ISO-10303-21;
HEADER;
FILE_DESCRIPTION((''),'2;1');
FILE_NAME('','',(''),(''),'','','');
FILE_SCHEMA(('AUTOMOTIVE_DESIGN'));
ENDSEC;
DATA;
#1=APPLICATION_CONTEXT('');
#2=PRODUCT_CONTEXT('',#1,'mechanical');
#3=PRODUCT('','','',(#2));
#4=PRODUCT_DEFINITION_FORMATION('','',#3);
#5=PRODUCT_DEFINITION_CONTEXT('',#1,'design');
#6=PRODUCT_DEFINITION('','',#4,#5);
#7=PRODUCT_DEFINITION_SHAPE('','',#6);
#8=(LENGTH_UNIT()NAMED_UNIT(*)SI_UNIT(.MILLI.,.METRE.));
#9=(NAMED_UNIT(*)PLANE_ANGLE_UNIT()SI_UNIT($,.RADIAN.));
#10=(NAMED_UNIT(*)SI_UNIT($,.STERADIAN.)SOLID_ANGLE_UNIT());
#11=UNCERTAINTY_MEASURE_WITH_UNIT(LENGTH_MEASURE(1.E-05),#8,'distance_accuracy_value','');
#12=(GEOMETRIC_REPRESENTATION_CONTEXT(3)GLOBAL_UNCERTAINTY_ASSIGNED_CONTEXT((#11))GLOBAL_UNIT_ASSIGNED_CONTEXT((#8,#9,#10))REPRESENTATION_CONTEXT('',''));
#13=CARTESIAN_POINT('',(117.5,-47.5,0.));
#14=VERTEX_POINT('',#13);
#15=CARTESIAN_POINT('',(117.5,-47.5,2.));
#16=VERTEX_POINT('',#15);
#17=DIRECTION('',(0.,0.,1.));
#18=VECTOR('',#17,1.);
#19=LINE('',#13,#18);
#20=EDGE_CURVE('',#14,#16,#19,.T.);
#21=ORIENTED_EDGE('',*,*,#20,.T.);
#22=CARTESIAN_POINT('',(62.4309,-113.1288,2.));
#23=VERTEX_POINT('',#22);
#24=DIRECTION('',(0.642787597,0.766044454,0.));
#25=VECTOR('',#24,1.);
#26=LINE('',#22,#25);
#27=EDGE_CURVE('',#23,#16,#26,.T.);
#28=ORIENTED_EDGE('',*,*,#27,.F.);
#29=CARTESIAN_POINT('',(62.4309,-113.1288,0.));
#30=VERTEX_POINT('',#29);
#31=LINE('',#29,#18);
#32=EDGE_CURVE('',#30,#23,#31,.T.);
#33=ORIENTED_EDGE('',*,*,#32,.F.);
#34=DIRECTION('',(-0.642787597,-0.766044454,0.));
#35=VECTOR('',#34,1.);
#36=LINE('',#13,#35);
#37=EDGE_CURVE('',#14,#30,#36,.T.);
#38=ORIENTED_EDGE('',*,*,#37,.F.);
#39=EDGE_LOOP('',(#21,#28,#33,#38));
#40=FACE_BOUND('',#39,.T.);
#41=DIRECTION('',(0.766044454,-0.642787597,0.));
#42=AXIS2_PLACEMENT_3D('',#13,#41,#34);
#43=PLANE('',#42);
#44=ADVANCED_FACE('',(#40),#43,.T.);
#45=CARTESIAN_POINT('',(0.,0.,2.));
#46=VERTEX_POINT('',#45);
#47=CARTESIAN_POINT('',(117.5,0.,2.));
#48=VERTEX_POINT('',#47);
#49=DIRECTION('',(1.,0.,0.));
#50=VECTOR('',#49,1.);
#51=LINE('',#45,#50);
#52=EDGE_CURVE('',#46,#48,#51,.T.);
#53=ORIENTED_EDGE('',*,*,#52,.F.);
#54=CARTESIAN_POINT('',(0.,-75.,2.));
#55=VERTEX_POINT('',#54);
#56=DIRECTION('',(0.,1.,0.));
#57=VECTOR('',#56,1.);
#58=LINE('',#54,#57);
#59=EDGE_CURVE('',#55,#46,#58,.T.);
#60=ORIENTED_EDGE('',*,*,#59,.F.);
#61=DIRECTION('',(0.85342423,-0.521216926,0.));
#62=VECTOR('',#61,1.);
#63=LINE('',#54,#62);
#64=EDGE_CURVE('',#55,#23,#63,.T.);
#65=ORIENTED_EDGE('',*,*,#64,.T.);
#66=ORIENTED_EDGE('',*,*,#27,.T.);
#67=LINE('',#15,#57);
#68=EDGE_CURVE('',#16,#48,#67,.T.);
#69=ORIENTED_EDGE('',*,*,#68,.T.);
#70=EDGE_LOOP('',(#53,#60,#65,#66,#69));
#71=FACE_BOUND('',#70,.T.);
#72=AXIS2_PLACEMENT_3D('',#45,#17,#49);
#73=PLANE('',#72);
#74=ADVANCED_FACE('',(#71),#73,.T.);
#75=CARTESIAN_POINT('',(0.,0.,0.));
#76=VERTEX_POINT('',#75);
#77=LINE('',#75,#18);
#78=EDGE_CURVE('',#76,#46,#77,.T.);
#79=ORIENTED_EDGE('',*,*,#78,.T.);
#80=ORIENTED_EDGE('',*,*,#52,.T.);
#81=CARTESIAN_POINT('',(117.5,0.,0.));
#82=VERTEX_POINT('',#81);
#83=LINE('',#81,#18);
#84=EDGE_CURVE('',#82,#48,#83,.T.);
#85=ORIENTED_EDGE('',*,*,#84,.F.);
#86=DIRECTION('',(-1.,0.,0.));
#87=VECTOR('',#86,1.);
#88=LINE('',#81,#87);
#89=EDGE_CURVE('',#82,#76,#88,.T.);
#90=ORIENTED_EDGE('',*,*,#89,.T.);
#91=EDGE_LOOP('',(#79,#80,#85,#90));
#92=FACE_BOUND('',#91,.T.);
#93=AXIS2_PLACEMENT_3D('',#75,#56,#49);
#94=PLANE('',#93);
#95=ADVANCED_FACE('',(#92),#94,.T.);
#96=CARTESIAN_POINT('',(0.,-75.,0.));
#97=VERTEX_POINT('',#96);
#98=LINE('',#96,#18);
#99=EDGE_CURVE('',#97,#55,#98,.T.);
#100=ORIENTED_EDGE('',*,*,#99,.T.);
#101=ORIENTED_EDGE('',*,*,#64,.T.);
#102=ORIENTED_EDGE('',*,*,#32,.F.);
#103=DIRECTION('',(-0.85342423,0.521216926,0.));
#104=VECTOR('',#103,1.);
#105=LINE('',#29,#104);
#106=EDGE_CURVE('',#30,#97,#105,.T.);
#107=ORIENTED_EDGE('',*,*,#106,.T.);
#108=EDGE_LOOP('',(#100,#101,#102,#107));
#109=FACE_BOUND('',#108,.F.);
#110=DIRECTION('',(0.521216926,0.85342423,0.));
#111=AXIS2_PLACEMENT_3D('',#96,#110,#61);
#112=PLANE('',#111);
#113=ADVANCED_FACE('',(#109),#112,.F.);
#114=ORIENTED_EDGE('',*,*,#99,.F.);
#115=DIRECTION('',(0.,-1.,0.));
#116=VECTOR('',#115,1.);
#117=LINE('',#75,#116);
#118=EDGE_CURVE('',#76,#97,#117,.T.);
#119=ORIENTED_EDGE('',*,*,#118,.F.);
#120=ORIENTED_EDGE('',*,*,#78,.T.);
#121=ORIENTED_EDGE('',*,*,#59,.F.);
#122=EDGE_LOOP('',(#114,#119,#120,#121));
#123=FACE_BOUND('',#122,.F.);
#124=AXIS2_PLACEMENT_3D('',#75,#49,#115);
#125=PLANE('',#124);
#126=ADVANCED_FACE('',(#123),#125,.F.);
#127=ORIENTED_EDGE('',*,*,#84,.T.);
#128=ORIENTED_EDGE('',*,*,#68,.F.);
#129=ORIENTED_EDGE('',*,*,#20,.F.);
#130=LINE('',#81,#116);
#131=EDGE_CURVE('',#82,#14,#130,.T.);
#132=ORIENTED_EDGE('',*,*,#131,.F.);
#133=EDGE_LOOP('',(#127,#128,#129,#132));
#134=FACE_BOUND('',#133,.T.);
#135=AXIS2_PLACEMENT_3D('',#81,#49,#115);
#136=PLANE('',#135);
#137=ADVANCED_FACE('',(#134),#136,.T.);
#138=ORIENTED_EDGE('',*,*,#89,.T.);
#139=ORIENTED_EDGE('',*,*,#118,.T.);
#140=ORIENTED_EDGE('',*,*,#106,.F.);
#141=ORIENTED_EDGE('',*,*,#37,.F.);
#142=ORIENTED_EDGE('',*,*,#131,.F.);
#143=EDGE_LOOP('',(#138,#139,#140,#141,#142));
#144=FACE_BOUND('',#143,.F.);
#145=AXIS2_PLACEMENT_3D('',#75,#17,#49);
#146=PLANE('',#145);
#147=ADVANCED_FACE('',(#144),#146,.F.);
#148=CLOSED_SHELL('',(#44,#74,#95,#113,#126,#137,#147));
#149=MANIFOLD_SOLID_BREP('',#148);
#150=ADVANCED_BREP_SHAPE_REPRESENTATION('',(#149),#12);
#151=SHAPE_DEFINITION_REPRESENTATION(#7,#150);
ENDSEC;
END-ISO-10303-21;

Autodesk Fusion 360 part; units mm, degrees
sketch "Sketch1" plane through (0, 0, 0) normal (0, 0, 1) x (1, 0, 0) in component "Case "
  line L0 (0, 0) -> (117.5, 0)
  line L1 (117.5, 0) -> (117.5, -47.5)
  line L2 (117.5, -47.5) -> (62.4309, -113.1288)
  line L3 (0, 0) -> (0, -75)
  line L4 (0, -75) -> (62.4309, -113.1288)
  line L5 (0, -66.2119) -> (67.3065, -107.3183)
  line L6 (55.9577, -109.1753) -> (117.5, -35.8321)
  line L7 (0, -7.5) -> (117.5, -7.5)
  line L8 (110, 0) -> (110, -56.4382)
  line L9 (117.5, -47.5) -> (0, -47.5)
  dimension "d3" = 140
  dimension "d11" = 7.5
  dimension "d12" = 7.5
  dimension "d13" = 7.5
  dimension "d14" = 7.5
  dimension "d15" = 110
  dimension "d16" = 47.5
  dimension "d17" = 18.7119
  dimension "d18" = 75
extrude "Extrude1" add sketch "Sketch1" along normal blind 5
extrude "Extrude2" cut 1 faces at (39.1667, -40.8333, 5) along direction (0, 0, -1) blind 3
extrude "Extrude1'" [suppressed] in component "Case "
extrude "Extrude3" [suppressed] in component "Case "
sketch "Sketch2" plane through (0, 0, 0) normal (0, 0, 1) x (1, 0, 0) in component "Case "
  line L0 (0, 31.2783) -> (117.5, 31.2783)
  line L1 (117.5, 31.2783) -> (117.5, 78.7783)
  line L2 (117.5, 78.7783) -> (62.4311, 144.4069)
  line L3 (0, 31.2783) -> (0, 106.2783)
  line L4 (0, 106.2783) -> (62.4311, 144.4069)
  dimension "d23" = 117.5
  dimension "d24" = 47.5
  dimension "d25" = 85.672
  dimension "d29" = 75
  dimension "d31" = 140
  dimension "d32" = 73.1535
extrude "Extrude4" [suppressed] in component "Case "
extrude "Extrude5" [suppressed] in component "Case "
extrude "Extrude2'" [suppressed] in component "Case "
component "Case " placed x (1, 0, 0) y (0, 1, 0) z (0, 0, 1) at (0, 0, 0)
